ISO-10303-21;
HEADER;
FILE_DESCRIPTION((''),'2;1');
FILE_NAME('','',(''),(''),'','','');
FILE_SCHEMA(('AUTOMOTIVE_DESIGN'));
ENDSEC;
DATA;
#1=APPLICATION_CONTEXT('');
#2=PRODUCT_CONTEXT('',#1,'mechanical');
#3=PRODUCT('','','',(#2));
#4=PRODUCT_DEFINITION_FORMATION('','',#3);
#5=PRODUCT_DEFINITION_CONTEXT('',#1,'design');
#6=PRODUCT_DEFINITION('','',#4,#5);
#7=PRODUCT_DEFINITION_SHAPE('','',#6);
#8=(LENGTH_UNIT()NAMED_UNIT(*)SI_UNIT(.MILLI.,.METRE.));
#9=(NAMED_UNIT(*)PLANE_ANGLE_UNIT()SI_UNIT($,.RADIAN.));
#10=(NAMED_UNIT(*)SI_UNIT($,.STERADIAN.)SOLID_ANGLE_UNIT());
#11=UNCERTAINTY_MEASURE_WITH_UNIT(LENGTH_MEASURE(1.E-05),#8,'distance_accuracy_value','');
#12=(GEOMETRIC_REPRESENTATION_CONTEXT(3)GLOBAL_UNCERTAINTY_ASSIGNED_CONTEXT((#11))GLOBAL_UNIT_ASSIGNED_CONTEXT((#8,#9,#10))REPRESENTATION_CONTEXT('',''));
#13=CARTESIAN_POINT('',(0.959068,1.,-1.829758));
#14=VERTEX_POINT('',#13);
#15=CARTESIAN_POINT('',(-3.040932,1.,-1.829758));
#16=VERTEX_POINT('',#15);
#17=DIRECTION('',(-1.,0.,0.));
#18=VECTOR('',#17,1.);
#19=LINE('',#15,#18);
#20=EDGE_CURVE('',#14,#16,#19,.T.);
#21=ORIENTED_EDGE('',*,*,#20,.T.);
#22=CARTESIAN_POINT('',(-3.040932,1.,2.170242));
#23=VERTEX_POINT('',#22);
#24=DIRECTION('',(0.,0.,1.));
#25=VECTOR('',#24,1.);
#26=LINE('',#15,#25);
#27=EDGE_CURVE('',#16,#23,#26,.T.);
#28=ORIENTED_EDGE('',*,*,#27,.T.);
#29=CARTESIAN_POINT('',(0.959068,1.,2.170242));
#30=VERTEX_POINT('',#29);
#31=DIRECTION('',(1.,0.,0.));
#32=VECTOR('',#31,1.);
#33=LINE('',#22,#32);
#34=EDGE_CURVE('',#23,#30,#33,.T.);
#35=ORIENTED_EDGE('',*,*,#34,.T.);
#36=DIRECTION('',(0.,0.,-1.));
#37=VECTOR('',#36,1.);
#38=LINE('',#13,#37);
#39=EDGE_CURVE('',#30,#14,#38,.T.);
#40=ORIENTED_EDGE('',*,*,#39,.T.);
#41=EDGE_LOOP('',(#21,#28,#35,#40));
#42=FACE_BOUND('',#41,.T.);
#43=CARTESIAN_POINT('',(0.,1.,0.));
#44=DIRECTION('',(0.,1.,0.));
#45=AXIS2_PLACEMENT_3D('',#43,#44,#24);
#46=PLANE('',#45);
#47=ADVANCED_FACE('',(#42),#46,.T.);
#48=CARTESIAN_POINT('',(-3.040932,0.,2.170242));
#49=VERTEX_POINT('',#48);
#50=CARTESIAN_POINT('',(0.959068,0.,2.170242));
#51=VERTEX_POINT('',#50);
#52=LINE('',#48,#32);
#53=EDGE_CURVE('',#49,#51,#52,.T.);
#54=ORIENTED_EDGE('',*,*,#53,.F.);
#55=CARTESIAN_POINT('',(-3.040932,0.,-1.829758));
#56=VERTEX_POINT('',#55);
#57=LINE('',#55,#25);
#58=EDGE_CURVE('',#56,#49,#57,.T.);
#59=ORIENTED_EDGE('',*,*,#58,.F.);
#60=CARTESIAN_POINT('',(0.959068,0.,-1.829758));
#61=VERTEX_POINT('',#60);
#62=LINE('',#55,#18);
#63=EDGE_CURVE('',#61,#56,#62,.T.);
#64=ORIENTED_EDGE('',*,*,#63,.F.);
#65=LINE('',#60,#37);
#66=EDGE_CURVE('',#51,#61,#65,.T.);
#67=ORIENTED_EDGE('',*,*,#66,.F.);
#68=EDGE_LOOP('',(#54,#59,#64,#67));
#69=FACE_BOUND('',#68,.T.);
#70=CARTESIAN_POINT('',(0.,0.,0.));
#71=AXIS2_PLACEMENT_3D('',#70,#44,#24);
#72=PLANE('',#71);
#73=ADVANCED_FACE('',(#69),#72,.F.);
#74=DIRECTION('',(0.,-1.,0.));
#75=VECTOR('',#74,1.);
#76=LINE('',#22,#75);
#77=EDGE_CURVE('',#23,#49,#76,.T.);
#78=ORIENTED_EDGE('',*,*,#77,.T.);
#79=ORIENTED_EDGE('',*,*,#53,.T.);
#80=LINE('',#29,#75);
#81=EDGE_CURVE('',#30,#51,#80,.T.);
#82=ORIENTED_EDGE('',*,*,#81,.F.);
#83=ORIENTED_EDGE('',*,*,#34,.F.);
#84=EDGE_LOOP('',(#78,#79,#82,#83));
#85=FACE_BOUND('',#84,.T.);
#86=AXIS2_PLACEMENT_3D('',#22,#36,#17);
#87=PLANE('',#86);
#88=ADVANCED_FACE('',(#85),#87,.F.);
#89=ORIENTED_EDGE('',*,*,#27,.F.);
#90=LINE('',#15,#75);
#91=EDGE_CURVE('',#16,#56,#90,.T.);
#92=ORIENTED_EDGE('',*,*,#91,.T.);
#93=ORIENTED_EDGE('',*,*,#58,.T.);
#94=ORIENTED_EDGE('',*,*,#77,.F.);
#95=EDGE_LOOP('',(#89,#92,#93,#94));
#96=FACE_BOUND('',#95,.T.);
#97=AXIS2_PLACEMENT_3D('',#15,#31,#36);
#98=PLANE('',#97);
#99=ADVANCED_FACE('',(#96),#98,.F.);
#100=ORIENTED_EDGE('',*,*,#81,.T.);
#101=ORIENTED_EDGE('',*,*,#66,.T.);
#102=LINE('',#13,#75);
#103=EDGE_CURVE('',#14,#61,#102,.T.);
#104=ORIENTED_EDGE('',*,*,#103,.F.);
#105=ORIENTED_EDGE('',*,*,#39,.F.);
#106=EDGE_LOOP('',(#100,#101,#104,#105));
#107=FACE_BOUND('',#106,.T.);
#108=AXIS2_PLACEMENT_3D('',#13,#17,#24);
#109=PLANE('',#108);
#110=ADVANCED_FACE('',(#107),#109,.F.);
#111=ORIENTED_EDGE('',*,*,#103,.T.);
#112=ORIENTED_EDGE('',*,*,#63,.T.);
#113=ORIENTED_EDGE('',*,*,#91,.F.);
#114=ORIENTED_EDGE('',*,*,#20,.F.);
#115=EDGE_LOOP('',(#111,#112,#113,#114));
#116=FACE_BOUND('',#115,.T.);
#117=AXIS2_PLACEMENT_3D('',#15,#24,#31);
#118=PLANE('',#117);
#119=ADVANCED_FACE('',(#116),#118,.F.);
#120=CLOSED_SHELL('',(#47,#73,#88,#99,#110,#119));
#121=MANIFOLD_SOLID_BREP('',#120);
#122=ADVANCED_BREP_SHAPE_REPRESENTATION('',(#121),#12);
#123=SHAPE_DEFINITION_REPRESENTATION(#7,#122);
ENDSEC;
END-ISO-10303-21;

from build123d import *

# Parameters (mm, degrees)
SKETCH1_W           = 4
SKETCH1_H           = 4
BOSS_EXTRUDE1_DEPTH = 1


with BuildPart() as part:
    # Sketch1 → Boss-Extrude1 (new body)
    with BuildSketch(Plane(origin=(0, 0, 0), x_dir=(1, 0, 0), z_dir=(0, 1, 0))):
        with Locations((-1.040932412, -0.170241609)):
            Rectangle(SKETCH1_W, SKETCH1_H)
    extrude(amount=BOSS_EXTRUDE1_DEPTH)


solid = part.part
